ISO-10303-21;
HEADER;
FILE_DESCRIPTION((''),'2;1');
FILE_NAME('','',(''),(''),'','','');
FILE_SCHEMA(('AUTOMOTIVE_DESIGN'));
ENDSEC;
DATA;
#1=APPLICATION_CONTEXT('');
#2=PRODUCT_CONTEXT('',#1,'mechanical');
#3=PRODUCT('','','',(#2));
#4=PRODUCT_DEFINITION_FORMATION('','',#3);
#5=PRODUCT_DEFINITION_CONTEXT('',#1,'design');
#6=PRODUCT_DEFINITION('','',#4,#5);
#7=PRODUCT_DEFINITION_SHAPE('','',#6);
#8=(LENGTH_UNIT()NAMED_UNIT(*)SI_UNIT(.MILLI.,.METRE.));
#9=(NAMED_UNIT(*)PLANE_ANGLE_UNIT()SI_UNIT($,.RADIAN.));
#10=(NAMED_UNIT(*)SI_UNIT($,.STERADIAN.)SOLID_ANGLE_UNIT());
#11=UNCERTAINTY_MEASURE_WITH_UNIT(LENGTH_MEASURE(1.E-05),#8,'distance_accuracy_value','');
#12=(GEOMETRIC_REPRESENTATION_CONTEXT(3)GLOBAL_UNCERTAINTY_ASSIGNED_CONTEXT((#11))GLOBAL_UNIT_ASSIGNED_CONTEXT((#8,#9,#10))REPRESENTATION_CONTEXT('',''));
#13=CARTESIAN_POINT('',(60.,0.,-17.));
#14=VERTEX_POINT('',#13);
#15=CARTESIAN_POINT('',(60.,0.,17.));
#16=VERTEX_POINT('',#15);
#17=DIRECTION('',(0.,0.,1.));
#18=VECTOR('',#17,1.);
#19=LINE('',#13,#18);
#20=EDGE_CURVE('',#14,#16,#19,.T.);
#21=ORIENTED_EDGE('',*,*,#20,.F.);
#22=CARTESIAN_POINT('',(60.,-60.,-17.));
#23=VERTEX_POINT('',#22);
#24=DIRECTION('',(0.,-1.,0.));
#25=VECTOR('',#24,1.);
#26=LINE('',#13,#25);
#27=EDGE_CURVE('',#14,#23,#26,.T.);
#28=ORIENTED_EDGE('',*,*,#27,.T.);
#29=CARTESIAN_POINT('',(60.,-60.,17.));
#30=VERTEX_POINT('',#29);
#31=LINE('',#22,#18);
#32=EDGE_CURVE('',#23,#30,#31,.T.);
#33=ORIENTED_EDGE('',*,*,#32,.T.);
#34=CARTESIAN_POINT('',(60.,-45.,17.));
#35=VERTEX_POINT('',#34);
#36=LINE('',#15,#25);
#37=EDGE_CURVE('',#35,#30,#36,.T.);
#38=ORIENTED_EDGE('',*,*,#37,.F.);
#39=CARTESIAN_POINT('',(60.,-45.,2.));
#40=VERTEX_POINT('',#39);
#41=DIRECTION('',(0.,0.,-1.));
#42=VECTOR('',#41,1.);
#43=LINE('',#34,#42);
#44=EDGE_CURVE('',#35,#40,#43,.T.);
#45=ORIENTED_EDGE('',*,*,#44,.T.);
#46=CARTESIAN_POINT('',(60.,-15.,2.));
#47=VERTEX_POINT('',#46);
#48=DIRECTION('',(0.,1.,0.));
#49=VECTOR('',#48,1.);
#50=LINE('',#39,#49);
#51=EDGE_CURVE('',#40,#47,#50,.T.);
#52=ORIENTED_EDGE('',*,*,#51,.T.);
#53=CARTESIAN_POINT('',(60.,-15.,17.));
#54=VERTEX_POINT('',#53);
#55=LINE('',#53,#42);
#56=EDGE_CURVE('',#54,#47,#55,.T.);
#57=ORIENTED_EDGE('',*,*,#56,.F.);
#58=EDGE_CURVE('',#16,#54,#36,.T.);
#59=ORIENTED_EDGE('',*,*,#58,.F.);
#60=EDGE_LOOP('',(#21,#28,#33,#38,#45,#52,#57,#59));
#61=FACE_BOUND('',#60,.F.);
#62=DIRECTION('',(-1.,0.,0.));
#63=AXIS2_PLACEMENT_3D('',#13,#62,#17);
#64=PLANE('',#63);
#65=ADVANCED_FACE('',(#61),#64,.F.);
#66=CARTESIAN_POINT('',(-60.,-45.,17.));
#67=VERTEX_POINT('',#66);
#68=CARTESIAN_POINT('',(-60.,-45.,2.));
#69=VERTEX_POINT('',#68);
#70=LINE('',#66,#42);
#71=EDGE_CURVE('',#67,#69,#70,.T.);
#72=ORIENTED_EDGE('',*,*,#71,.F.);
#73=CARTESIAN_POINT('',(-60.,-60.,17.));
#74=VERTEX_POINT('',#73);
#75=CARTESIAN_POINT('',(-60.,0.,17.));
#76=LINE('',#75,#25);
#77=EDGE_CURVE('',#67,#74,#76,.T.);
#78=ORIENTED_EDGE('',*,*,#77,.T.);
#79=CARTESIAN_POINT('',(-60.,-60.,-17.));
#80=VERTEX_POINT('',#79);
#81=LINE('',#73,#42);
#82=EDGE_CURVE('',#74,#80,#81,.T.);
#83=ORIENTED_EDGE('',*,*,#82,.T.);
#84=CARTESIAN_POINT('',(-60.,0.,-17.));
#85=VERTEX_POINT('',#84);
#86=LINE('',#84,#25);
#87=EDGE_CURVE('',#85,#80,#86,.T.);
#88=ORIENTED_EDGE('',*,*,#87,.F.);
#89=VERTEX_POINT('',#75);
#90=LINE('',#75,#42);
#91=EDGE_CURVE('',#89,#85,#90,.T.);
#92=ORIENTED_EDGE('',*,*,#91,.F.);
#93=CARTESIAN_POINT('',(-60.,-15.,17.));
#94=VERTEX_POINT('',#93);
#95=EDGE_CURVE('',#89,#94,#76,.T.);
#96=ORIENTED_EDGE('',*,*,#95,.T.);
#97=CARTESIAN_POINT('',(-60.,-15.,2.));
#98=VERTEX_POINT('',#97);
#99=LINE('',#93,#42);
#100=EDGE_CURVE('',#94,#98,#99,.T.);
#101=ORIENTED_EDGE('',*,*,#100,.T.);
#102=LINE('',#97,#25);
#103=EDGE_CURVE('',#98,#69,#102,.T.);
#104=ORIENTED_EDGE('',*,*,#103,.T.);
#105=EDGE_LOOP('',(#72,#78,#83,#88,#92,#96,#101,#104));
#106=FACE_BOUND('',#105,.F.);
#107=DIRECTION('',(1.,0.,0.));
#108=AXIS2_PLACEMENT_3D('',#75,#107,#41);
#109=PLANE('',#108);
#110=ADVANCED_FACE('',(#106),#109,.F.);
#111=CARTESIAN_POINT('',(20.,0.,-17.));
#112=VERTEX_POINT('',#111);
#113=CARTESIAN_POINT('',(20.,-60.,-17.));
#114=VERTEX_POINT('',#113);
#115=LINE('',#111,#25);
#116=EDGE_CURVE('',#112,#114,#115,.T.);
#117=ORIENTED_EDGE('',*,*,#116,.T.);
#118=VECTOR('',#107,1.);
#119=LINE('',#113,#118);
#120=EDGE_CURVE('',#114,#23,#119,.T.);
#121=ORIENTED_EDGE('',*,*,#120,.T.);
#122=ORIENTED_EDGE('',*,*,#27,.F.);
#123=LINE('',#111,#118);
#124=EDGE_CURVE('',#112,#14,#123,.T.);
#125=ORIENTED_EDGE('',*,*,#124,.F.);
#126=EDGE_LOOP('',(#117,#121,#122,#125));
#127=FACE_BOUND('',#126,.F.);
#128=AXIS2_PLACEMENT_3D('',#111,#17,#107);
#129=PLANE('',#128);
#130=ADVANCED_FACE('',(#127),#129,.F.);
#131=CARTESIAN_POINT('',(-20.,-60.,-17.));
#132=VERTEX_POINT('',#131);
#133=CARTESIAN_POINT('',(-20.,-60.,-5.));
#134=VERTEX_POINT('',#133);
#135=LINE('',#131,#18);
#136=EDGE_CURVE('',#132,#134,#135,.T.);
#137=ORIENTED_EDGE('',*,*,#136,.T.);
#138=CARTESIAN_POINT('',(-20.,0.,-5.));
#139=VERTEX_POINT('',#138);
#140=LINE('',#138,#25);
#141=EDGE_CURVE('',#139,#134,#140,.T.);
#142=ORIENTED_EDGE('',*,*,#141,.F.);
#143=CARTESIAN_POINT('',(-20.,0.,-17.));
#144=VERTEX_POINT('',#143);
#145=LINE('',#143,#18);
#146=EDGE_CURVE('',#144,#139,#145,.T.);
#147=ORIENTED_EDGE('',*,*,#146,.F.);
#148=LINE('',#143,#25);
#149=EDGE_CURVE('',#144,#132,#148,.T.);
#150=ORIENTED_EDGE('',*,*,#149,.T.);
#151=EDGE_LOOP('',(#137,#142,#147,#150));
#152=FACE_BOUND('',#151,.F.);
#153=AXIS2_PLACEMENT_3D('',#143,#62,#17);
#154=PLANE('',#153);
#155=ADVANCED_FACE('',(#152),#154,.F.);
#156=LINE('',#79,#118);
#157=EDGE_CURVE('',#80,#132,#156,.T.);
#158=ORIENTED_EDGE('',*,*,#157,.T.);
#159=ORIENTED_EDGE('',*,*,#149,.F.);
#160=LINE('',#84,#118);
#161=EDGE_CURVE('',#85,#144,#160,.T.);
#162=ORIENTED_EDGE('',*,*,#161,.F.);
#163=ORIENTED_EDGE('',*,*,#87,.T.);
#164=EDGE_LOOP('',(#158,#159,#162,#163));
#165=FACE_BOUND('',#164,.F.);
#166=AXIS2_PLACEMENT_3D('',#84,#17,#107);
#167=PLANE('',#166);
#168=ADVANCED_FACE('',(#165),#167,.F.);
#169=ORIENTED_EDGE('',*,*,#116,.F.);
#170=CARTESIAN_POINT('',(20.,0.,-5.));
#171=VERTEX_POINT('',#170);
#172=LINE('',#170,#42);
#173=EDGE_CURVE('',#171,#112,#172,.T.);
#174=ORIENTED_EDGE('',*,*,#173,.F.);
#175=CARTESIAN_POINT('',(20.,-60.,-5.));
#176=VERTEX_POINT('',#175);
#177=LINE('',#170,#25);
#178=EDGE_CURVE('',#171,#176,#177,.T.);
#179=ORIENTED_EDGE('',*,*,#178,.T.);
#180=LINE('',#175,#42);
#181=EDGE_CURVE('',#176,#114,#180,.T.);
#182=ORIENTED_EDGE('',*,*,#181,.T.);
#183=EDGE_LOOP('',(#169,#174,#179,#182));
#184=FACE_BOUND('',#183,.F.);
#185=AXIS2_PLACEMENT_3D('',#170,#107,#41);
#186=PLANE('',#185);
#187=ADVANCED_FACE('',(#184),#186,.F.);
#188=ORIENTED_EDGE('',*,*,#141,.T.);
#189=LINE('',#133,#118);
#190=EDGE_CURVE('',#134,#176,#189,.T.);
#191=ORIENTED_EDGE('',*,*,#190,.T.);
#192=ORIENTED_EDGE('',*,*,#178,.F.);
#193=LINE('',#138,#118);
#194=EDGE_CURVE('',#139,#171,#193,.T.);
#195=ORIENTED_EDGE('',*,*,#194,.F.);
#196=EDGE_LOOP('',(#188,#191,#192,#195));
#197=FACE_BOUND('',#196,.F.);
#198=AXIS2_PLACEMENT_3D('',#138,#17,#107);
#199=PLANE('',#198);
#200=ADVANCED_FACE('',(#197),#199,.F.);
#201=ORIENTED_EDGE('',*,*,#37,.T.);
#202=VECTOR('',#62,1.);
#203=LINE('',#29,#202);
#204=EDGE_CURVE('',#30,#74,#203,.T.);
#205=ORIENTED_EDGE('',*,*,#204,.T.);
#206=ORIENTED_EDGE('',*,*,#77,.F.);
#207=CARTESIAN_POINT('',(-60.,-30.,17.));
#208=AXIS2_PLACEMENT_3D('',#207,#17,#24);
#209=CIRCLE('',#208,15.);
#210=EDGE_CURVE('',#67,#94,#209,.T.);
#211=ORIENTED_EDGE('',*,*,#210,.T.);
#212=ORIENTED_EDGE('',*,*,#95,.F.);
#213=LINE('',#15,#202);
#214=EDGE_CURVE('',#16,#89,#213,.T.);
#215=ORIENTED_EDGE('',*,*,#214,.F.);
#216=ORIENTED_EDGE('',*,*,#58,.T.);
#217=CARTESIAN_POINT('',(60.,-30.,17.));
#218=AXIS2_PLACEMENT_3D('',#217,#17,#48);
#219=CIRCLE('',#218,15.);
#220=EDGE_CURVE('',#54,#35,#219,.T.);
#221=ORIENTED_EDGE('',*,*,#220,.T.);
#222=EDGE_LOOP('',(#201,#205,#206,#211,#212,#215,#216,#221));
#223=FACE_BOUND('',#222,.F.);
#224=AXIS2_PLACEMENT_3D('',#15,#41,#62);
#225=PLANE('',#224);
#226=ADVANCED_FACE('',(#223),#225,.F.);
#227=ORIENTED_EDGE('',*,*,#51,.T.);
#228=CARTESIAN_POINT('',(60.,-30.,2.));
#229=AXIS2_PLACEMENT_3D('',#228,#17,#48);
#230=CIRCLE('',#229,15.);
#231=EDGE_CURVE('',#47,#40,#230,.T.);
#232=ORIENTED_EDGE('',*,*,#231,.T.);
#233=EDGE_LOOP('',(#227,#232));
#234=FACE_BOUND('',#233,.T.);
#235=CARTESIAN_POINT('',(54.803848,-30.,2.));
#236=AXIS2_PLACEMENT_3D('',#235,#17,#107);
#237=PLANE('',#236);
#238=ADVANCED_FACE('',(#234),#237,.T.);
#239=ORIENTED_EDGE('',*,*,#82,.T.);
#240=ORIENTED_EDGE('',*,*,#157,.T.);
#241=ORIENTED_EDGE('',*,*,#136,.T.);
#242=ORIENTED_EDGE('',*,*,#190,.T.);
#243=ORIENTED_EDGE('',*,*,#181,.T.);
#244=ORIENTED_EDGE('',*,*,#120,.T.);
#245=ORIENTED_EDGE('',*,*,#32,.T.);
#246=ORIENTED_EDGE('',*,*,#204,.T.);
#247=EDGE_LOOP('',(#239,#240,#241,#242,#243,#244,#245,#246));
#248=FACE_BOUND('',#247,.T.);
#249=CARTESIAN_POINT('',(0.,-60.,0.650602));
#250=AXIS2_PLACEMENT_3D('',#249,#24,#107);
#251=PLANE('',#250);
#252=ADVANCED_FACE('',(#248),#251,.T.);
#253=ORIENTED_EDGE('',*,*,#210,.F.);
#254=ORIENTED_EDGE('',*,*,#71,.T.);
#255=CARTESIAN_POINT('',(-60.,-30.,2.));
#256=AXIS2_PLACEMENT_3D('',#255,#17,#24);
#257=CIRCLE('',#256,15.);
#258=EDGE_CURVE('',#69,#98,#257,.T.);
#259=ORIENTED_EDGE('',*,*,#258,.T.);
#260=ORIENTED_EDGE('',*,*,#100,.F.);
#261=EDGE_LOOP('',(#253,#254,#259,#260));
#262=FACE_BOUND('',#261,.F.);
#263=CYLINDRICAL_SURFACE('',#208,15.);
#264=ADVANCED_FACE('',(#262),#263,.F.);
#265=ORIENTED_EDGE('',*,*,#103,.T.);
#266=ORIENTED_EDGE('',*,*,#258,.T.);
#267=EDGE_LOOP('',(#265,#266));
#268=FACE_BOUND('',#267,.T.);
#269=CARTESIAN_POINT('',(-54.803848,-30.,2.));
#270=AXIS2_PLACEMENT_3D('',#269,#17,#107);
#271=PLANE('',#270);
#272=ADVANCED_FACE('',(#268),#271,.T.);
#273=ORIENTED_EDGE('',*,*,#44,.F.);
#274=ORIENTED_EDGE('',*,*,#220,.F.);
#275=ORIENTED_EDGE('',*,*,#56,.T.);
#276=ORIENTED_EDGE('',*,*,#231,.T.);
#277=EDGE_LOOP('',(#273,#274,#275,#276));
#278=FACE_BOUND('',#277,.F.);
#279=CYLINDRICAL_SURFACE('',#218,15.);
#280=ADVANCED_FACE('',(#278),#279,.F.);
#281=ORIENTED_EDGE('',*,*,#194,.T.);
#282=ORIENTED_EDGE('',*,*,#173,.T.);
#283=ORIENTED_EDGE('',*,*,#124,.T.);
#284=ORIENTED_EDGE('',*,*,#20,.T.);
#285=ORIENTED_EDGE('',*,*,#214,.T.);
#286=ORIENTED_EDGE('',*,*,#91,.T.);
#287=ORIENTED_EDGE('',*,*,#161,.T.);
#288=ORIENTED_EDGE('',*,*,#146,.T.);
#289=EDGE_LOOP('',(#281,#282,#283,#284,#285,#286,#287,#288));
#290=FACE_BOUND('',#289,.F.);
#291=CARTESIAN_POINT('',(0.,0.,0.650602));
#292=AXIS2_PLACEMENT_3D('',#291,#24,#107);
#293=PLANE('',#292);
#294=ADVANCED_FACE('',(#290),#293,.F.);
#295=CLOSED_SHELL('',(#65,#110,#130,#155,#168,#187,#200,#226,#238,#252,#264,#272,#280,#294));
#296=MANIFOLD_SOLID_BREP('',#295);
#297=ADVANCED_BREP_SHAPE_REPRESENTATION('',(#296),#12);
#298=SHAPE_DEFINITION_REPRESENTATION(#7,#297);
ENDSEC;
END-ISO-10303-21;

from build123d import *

# Parameters (mm, degrees)
F1_DEPTH = 60
F3_DEPTH = 15


with BuildPart() as f1:
    # F0 (on Front) → F1 (new body)
    with BuildSketch(Plane.XZ):
        Polygon((60, 17), (-60, 17), (-60, -17), (-20, -17), (-20, -5), (20, -5), (20, -17), (60, -17), align=None)
    extrude(amount=F1_DEPTH)

    # F2 (on face) → F3 (cut)
    with BuildSketch(Plane.XY.offset(17)):
        with BuildLine():
            ThreePointArc((-60, -45), (-45, -30), (-60, -15))
            Line((-60, -15), (-60, -45))
        make_face()
        with BuildLine():
            Line((60, -45), (60, -15))
            ThreePointArc((60, -15), (45, -30), (60, -45))
        make_face()
    extrude(amount=-F3_DEPTH, mode=Mode.SUBTRACT)


solid = f1.part
